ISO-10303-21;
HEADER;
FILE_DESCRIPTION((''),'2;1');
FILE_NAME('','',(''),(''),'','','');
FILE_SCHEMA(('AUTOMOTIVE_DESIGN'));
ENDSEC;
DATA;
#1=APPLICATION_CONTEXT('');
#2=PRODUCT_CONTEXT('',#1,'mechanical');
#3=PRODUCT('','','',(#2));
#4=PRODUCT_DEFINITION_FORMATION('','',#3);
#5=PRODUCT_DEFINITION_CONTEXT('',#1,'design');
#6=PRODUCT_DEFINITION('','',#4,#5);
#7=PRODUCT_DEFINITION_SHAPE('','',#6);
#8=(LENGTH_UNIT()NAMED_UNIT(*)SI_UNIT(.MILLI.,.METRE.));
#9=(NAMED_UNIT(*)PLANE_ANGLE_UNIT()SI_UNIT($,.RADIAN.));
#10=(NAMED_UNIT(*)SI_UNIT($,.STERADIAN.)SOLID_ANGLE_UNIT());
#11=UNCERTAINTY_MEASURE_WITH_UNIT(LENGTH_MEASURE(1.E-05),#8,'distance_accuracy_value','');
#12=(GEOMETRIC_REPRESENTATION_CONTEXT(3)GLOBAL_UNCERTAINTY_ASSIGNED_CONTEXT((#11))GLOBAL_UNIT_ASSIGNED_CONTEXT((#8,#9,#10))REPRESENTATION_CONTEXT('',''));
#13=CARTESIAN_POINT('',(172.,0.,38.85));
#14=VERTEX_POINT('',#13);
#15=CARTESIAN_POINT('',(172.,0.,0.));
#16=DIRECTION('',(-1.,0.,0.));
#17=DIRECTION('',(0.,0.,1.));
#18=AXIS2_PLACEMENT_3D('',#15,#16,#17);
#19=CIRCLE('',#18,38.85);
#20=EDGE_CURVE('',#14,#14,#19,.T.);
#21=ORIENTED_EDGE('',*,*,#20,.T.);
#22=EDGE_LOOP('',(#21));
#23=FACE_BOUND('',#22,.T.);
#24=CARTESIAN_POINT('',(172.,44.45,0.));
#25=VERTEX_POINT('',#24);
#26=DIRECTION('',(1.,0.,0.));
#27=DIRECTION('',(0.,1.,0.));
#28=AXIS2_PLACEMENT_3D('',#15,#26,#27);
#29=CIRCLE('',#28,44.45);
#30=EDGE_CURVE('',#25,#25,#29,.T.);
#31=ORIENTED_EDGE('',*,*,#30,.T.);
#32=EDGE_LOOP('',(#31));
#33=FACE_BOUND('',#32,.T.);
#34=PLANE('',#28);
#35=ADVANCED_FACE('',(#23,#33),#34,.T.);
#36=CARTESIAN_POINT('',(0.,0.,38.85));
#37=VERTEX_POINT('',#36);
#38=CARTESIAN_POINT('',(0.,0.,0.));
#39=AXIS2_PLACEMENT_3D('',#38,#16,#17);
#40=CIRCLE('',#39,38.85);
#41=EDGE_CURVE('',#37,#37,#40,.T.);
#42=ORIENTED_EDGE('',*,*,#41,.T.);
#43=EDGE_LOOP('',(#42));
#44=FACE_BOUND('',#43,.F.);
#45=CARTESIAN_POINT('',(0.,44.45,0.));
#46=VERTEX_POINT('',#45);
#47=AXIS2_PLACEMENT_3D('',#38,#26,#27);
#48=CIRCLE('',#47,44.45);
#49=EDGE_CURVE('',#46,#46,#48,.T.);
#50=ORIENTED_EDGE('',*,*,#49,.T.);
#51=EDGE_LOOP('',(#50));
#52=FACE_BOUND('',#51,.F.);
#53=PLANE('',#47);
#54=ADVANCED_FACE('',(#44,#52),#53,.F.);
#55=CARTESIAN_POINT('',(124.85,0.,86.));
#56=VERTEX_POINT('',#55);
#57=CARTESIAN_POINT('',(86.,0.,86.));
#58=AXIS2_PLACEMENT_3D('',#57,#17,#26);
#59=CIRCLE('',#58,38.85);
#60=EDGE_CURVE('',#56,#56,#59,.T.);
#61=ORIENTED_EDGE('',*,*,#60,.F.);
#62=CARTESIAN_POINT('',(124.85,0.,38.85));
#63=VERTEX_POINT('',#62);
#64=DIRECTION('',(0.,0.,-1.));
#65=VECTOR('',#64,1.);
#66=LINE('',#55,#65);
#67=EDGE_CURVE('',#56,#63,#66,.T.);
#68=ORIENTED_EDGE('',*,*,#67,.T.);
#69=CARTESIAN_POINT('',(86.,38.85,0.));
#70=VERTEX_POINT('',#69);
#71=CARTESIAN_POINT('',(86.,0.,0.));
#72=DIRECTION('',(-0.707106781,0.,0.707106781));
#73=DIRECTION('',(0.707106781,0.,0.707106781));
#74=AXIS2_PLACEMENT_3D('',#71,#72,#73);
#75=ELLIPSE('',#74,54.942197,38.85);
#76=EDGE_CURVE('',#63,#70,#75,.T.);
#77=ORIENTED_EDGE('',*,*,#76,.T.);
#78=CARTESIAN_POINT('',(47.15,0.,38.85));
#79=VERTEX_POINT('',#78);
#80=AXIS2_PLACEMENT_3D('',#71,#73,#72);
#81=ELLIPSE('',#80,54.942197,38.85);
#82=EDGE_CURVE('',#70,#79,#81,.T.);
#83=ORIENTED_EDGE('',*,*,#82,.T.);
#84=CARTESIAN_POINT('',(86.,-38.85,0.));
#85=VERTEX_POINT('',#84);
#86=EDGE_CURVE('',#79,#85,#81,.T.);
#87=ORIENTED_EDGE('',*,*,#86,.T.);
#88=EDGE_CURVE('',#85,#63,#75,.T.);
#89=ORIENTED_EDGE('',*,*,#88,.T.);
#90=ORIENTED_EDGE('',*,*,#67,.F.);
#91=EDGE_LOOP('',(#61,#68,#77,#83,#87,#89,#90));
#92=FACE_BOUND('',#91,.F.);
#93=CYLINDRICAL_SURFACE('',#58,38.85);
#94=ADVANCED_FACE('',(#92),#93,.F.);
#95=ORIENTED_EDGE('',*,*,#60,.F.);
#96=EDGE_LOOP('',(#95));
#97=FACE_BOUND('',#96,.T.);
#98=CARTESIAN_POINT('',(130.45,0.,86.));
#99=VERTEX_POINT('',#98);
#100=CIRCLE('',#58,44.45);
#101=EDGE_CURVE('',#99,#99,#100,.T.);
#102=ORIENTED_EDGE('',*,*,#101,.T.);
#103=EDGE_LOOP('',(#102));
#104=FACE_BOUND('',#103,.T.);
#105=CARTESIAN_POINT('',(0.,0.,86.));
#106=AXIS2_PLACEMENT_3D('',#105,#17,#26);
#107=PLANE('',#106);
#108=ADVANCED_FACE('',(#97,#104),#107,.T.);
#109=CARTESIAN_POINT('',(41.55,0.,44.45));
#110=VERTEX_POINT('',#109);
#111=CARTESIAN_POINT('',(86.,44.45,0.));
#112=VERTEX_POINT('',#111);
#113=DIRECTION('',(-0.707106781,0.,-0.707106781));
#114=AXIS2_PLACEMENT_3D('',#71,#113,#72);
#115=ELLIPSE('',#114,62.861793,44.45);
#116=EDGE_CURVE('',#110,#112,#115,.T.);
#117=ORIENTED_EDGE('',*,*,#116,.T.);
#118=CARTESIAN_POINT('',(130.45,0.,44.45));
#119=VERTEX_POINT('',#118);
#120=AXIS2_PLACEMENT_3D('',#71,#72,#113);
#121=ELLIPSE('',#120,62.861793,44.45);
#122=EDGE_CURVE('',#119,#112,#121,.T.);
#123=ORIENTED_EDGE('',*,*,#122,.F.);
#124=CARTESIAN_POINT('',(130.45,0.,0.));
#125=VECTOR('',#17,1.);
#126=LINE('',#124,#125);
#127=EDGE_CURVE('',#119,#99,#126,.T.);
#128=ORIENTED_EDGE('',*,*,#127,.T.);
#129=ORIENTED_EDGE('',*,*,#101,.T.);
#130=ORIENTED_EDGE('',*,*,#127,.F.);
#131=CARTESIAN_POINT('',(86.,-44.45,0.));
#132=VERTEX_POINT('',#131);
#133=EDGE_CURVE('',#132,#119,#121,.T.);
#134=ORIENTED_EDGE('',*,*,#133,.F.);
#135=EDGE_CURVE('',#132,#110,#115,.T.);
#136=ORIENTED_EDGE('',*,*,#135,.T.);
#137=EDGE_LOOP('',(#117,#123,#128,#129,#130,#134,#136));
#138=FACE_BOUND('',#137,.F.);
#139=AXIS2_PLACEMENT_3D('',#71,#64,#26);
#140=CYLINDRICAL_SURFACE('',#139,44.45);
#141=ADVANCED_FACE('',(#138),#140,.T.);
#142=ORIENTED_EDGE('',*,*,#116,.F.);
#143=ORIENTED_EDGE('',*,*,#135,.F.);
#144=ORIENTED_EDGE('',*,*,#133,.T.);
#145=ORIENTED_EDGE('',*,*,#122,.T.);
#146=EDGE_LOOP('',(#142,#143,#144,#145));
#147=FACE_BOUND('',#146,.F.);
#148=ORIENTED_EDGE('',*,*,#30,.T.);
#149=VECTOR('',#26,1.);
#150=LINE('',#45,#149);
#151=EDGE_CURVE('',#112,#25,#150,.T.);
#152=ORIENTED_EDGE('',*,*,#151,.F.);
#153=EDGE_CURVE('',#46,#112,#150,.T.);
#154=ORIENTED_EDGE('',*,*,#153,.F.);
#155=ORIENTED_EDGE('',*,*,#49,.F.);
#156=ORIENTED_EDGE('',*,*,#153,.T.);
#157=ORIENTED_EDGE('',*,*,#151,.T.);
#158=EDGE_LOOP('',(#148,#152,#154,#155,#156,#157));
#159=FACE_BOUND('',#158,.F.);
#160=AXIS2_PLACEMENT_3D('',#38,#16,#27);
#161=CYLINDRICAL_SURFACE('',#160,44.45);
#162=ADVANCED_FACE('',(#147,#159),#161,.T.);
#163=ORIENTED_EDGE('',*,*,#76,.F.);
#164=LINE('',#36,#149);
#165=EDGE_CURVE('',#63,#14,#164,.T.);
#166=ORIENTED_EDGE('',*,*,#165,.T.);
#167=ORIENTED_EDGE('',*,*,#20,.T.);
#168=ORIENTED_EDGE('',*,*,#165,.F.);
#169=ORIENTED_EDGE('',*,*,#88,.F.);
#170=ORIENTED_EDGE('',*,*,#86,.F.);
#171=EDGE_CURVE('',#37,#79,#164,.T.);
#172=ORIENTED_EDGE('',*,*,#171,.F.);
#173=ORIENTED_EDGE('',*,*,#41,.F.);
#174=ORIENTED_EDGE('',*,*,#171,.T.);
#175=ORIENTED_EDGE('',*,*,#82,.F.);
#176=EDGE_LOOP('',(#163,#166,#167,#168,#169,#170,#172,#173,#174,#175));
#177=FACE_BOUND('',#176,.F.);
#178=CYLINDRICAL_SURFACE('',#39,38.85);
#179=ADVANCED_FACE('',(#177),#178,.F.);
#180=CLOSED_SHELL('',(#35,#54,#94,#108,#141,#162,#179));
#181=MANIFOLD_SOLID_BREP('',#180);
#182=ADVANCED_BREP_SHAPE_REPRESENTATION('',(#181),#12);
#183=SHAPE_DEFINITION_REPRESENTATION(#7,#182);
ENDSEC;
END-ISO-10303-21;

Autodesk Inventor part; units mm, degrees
ref_plane "YZ Plane" through (0, 0, 0) normal (1, 0, 0) x (0, 1, 0)
ref_plane "XZ Plane" through (0, 0, 0) normal (0, 1, 0) x (-1, 0, 0)
ref_plane "XY Plane" through (0, 0, 0) normal (0, 0, 1) x (1, 0, 0)
sketch "Sketch1" plane through (0, 0, 0) normal (1, 0, 0) x (0, 1, 0)
  circle A0 centre (0, 0) radius 44.45
  dimension "d0" = 88.9
extrude "Extrude1" add sketch "Sketch1" along normal blind 172
sketch "Sketch2" plane through (0, 0, 0) normal (0, 0, 1) x (1, 0, 0)
  line L0 (0, 44.45) -> (0, -44.45) projected
  line L1 (172, 44.45) -> (172, -44.45) projected
  line L2 (0, 0) -> (172, 0) construction
  circle A0 centre (86, 0) radius 44.45
  dimension "d3" = 88.9
extrude "Extrude2" add sketch "Sketch2" along normal blind 86
sketch "Sketch3" plane through (0, 0, 0) normal (-1, 0, 0) x (0, 0, 1)
  circle A0 centre (0, 0) radius 44.45 projected
  circle A1 centre (0, 0) radius 38.85
  dimension "d6" = 77.7
extrude "Extrude3" cut sketch "Sketch3" against normal through all contours A1
sketch "Sketch4" plane through (86, 0, 86) normal (0, 0, 1) x (1, 0, 0)
  circle A0 centre (0, 0) radius 44.45 projected
  circle A1 centre (0, 0) radius 38.85
  dimension "d9" = 77.7
extrude "Extrude4" cut sketch "Sketch4" against normal up to next contours A1
equation "\"d0\" = d"
equation "\"d1\" = 2 * a"
equation "\"d3\" = d"
equation "\"d4\" = a"
equation "\"d6\" = d - 2 * s1"
equation "\"d7\" = a"
equation "\"d9\" = d - 2 * s1"
equation "\"d10\" = a"
equation "\"d\" = 88.9"
equation "\"s1\" = 5.6"
equation "\"a\" = 86"
equation "\"Size_Designation\" = 1.2345"
properties part number "DIN 2615-1 Tee 88.9 x 5.6 S" material "Steel"
